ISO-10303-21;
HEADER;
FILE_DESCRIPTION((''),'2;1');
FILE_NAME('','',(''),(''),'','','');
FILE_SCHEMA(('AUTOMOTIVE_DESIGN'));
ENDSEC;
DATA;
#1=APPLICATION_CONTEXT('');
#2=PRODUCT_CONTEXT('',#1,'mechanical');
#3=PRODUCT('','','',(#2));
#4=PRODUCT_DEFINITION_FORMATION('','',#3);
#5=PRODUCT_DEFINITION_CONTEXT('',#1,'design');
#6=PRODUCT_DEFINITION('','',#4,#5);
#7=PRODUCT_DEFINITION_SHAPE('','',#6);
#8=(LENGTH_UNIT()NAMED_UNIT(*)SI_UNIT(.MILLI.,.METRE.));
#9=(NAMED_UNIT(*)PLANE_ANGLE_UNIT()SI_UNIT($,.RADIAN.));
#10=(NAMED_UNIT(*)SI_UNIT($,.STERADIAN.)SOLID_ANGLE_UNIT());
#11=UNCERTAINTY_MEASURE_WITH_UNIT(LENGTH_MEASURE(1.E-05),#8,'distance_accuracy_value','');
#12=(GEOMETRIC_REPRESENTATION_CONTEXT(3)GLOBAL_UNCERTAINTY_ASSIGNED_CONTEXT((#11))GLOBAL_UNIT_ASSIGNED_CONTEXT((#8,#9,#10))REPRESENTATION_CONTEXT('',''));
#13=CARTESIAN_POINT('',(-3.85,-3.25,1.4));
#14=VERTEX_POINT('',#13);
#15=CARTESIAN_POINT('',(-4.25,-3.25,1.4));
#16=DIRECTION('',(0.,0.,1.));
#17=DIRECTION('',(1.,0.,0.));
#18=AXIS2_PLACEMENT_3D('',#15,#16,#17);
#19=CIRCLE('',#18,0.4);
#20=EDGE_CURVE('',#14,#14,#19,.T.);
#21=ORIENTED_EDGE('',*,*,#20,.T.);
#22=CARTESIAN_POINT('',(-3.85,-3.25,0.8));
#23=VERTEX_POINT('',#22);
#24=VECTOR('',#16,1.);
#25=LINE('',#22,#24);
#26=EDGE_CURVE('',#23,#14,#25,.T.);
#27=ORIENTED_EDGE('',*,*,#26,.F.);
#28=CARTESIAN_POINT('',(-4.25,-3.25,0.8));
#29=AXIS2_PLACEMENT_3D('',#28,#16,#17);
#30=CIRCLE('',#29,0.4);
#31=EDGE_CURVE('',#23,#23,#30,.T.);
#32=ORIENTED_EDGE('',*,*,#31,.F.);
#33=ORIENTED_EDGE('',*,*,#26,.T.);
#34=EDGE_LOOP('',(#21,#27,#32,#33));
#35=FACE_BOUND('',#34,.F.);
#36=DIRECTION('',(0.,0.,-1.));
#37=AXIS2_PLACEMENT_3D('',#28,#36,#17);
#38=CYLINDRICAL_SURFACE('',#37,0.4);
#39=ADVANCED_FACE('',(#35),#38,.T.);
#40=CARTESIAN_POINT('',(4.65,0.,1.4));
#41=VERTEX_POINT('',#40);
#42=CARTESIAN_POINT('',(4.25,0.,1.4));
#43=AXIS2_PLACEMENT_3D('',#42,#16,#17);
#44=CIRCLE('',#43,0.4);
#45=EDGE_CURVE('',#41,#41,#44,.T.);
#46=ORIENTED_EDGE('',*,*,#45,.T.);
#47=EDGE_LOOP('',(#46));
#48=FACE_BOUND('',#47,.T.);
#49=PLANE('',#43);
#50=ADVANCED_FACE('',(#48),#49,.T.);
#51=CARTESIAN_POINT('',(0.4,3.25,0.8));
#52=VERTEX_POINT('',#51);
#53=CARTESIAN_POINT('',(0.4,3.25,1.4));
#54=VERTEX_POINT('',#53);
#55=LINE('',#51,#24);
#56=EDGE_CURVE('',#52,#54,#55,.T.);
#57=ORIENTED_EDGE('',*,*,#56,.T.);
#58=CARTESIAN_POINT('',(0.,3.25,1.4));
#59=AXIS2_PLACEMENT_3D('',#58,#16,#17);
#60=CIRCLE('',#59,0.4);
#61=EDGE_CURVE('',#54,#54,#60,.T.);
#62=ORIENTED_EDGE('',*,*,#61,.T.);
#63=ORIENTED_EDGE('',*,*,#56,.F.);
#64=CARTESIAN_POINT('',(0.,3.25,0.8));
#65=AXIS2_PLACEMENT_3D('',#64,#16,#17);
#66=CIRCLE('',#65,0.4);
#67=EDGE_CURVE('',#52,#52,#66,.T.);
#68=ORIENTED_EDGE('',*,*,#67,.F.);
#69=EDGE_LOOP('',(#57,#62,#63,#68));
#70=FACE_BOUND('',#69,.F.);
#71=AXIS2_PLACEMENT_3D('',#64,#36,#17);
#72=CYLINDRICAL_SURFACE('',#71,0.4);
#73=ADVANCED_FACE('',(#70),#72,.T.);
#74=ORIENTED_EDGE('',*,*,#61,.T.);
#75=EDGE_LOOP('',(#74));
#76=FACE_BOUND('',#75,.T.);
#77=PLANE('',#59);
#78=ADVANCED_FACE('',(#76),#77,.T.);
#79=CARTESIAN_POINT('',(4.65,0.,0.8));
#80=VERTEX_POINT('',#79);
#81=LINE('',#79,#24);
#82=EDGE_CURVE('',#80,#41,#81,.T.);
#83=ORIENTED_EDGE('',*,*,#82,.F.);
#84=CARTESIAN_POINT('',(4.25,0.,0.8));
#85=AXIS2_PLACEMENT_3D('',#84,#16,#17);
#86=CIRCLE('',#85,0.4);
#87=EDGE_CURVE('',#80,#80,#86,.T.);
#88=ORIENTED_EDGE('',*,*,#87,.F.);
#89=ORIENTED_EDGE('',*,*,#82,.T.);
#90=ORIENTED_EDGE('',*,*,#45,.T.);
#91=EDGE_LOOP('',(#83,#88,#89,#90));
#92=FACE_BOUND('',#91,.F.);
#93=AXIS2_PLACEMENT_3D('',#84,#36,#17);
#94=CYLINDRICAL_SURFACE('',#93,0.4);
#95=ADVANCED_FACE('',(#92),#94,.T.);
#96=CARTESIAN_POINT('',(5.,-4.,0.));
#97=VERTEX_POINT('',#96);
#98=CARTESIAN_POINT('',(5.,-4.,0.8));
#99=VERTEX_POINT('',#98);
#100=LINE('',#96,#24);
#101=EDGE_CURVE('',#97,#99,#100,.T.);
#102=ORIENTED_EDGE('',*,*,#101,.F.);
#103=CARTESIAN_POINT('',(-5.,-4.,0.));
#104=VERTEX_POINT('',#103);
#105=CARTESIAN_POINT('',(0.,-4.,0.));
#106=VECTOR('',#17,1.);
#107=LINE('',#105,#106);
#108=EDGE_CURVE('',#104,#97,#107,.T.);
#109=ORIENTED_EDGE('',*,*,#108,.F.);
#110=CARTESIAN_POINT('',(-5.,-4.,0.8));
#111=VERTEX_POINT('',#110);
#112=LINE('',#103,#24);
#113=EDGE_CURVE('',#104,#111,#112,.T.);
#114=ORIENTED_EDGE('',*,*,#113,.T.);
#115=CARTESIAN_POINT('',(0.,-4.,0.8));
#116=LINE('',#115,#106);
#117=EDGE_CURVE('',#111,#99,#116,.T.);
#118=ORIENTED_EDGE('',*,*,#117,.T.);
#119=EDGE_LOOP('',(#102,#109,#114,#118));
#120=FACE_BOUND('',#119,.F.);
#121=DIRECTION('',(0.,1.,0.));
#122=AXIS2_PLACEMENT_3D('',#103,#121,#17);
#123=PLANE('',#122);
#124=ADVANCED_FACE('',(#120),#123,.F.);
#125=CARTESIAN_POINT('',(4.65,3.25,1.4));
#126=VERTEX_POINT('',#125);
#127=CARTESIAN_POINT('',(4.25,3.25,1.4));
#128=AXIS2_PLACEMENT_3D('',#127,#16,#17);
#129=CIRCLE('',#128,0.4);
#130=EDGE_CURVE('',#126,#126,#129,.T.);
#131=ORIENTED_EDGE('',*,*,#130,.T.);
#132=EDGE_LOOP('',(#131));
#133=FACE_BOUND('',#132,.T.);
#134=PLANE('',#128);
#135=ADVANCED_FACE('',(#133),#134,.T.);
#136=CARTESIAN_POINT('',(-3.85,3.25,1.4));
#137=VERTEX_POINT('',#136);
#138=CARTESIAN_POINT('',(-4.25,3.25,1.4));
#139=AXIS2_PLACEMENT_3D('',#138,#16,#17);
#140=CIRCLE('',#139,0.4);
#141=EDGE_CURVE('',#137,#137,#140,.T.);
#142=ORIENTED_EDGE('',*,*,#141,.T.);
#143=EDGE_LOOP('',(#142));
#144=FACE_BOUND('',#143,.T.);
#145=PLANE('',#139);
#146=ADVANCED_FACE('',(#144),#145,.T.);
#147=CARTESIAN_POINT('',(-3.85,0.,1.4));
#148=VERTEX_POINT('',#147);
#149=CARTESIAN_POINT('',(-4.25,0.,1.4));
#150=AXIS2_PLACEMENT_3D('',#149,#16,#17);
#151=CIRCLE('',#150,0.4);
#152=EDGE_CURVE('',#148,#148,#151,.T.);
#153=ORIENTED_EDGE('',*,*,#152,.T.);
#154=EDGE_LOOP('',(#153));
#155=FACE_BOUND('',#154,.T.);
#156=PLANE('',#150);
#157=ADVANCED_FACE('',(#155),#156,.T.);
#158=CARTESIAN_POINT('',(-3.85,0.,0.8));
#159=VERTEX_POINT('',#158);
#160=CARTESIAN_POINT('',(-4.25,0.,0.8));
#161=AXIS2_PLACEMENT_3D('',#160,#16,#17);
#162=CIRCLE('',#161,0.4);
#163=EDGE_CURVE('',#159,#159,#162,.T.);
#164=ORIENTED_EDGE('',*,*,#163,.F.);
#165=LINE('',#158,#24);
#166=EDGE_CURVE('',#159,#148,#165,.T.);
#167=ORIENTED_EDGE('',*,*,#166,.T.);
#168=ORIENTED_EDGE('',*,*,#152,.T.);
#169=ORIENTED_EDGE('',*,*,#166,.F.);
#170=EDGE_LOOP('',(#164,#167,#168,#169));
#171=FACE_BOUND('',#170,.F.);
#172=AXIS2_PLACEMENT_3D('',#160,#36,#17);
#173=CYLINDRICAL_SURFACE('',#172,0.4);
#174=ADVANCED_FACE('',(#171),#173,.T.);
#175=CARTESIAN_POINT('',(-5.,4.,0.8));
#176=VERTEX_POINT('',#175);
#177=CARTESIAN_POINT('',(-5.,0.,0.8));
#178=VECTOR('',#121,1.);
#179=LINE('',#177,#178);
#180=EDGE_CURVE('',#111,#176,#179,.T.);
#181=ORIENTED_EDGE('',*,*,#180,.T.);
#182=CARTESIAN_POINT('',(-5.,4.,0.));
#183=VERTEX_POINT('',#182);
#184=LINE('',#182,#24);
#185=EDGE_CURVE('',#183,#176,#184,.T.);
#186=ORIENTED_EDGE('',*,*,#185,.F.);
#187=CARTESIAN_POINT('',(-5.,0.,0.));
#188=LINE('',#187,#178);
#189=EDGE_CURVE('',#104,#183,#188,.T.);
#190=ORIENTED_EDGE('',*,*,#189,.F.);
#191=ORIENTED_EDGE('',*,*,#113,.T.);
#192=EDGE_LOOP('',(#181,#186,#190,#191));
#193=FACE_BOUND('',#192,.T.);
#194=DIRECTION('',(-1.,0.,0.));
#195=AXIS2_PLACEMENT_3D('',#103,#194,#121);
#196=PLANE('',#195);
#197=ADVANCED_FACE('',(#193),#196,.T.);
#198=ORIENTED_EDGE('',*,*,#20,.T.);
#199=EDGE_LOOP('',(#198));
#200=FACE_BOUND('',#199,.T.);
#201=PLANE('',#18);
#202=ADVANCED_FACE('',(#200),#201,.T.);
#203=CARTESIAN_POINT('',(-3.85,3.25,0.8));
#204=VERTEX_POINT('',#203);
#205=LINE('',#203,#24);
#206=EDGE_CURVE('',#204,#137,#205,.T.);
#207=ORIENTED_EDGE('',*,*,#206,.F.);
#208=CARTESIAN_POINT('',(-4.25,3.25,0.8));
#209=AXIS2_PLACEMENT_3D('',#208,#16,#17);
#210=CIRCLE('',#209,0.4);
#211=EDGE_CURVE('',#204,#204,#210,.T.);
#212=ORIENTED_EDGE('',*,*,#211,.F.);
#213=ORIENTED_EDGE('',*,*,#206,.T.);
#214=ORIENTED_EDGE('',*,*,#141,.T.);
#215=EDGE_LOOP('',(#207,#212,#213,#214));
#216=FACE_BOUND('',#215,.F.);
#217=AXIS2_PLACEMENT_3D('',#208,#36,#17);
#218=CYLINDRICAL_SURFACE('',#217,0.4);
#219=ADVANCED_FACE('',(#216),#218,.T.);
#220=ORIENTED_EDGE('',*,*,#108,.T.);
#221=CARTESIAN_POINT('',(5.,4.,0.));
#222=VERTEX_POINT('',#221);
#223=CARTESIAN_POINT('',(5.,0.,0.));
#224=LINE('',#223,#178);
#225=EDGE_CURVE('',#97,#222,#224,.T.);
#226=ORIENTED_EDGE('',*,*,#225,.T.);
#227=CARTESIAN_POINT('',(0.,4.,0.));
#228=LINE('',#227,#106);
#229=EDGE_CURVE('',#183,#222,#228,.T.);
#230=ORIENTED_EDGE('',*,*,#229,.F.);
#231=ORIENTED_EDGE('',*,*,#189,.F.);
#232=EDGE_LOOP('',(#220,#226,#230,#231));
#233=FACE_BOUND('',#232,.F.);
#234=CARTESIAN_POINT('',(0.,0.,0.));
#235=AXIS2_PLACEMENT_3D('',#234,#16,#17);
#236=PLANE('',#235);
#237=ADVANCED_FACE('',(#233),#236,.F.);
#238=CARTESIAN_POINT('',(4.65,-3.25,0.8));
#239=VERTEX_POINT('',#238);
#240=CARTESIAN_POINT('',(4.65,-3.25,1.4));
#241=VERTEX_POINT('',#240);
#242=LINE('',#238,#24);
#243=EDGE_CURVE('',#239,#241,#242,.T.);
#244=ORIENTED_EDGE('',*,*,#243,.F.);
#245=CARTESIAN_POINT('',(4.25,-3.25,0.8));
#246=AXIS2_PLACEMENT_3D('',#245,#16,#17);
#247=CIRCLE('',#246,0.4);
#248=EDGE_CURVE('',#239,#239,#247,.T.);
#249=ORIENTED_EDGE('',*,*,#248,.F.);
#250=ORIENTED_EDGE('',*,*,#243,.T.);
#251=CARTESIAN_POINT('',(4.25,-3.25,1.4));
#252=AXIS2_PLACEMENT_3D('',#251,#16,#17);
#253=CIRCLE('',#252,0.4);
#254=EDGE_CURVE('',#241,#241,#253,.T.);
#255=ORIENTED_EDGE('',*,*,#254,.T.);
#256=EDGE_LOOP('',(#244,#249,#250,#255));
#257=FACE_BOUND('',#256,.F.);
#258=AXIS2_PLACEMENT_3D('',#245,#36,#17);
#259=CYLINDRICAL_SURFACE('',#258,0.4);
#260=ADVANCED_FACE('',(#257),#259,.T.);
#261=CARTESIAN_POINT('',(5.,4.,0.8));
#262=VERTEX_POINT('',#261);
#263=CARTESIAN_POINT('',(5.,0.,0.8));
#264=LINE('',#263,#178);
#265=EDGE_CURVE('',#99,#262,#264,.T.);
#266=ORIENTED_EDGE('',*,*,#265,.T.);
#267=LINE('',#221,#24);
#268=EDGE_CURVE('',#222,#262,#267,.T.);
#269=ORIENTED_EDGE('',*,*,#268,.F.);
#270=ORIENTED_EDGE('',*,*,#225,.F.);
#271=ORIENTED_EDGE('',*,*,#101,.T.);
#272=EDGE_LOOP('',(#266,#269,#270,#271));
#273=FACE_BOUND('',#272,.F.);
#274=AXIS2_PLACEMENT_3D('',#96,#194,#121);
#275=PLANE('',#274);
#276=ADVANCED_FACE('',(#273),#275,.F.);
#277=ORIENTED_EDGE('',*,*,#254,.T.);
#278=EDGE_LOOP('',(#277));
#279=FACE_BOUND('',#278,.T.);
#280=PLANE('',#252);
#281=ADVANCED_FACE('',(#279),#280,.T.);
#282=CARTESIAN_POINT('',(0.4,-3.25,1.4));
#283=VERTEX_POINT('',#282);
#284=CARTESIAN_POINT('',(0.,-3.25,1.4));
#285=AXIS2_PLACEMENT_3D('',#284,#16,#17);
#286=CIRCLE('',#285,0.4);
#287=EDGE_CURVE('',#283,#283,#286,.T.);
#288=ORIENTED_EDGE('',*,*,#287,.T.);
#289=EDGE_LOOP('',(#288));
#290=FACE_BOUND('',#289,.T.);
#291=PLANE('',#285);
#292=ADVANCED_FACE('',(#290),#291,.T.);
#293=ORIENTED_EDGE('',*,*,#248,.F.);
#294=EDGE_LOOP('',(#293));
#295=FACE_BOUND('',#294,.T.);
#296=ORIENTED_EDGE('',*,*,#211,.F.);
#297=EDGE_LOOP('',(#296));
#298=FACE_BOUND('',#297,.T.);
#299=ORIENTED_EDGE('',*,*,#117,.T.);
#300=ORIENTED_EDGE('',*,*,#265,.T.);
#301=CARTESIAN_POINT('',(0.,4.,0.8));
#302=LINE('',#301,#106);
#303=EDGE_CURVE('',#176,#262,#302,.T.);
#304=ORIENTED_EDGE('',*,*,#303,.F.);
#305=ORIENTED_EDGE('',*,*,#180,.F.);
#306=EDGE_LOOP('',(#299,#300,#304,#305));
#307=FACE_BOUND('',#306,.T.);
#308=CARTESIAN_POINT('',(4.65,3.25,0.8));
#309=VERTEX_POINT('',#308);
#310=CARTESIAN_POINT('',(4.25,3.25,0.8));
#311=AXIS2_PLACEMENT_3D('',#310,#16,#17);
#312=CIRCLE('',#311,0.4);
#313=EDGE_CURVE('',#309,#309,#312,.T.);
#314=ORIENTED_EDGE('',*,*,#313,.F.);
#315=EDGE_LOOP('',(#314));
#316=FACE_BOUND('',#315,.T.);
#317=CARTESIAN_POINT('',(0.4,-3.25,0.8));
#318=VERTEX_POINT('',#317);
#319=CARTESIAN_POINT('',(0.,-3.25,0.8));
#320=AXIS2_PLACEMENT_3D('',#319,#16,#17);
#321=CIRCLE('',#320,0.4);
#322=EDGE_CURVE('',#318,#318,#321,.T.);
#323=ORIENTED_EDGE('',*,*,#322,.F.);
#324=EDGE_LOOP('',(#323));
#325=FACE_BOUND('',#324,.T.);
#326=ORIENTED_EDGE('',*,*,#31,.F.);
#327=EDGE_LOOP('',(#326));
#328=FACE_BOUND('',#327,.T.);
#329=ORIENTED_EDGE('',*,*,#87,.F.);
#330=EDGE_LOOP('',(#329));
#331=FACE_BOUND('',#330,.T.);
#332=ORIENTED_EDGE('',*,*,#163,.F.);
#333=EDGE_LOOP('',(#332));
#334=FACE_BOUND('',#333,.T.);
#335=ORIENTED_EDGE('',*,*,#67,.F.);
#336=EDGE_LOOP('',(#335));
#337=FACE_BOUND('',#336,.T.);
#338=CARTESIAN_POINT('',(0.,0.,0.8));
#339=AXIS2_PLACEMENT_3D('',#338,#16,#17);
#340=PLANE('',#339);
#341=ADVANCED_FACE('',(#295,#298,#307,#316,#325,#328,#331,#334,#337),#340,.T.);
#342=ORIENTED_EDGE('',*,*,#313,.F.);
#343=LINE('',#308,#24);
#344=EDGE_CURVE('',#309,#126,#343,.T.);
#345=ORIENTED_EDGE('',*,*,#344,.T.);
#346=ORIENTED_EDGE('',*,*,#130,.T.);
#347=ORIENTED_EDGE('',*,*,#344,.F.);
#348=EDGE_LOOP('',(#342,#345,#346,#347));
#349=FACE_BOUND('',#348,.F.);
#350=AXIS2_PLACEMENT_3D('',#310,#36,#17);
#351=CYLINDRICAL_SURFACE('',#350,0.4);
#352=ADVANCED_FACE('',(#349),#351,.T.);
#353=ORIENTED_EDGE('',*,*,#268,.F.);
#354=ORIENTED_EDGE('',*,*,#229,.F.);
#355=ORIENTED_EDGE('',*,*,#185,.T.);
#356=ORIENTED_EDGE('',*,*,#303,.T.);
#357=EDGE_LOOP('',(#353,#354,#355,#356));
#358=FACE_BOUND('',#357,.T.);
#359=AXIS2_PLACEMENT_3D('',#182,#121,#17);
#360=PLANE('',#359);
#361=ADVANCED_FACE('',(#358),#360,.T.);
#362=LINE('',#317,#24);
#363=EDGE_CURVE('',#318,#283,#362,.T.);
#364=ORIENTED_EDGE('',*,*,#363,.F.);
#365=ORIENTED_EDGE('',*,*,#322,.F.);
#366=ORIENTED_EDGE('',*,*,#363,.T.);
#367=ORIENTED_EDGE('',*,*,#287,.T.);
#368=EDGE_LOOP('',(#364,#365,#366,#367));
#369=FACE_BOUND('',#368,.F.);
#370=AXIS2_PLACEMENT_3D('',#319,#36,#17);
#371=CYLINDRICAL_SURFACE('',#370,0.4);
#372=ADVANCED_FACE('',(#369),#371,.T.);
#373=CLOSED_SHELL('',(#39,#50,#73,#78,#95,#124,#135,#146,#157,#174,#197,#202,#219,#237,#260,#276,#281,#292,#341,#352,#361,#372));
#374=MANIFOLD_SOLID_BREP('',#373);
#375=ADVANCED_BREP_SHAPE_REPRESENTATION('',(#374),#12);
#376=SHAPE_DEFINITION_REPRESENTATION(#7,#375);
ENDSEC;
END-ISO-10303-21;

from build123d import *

# Parameters (mm, degrees)
F0_W     = 10
F0_H     = 8
F1_DEPTH = 0.8
F2_R     = 0.4
F3_DEPTH = 0.6


with BuildPart() as f1:
    # F0 (on Top) → F1 (new body)
    with BuildSketch(Plane.XY):
        Rectangle(F0_W, F0_H)
    extrude(amount=F1_DEPTH)

    # F2 (on face) → F3 (join)
    with BuildSketch(Plane.XY.offset(0.8)):
        with Locations((-4.25, 3.25)):
            Circle(F2_R)
        with Locations((-4.25, 0)):
            Circle(F2_R)
        with Locations((-4.25, -3.25)):
            Circle(F2_R)
        with Locations((0, 3.25)):
            Circle(F2_R)
        with Locations((4.25, 3.25)):
            Circle(F2_R)
        with Locations((4.25, 0)):
            Circle(F2_R)
        with Locations((4.25, -3.25)):
            Circle(F2_R)
        with Locations((0, -3.25)):
            Circle(F2_R)
    extrude(amount=F3_DEPTH)


solid = f1.part
